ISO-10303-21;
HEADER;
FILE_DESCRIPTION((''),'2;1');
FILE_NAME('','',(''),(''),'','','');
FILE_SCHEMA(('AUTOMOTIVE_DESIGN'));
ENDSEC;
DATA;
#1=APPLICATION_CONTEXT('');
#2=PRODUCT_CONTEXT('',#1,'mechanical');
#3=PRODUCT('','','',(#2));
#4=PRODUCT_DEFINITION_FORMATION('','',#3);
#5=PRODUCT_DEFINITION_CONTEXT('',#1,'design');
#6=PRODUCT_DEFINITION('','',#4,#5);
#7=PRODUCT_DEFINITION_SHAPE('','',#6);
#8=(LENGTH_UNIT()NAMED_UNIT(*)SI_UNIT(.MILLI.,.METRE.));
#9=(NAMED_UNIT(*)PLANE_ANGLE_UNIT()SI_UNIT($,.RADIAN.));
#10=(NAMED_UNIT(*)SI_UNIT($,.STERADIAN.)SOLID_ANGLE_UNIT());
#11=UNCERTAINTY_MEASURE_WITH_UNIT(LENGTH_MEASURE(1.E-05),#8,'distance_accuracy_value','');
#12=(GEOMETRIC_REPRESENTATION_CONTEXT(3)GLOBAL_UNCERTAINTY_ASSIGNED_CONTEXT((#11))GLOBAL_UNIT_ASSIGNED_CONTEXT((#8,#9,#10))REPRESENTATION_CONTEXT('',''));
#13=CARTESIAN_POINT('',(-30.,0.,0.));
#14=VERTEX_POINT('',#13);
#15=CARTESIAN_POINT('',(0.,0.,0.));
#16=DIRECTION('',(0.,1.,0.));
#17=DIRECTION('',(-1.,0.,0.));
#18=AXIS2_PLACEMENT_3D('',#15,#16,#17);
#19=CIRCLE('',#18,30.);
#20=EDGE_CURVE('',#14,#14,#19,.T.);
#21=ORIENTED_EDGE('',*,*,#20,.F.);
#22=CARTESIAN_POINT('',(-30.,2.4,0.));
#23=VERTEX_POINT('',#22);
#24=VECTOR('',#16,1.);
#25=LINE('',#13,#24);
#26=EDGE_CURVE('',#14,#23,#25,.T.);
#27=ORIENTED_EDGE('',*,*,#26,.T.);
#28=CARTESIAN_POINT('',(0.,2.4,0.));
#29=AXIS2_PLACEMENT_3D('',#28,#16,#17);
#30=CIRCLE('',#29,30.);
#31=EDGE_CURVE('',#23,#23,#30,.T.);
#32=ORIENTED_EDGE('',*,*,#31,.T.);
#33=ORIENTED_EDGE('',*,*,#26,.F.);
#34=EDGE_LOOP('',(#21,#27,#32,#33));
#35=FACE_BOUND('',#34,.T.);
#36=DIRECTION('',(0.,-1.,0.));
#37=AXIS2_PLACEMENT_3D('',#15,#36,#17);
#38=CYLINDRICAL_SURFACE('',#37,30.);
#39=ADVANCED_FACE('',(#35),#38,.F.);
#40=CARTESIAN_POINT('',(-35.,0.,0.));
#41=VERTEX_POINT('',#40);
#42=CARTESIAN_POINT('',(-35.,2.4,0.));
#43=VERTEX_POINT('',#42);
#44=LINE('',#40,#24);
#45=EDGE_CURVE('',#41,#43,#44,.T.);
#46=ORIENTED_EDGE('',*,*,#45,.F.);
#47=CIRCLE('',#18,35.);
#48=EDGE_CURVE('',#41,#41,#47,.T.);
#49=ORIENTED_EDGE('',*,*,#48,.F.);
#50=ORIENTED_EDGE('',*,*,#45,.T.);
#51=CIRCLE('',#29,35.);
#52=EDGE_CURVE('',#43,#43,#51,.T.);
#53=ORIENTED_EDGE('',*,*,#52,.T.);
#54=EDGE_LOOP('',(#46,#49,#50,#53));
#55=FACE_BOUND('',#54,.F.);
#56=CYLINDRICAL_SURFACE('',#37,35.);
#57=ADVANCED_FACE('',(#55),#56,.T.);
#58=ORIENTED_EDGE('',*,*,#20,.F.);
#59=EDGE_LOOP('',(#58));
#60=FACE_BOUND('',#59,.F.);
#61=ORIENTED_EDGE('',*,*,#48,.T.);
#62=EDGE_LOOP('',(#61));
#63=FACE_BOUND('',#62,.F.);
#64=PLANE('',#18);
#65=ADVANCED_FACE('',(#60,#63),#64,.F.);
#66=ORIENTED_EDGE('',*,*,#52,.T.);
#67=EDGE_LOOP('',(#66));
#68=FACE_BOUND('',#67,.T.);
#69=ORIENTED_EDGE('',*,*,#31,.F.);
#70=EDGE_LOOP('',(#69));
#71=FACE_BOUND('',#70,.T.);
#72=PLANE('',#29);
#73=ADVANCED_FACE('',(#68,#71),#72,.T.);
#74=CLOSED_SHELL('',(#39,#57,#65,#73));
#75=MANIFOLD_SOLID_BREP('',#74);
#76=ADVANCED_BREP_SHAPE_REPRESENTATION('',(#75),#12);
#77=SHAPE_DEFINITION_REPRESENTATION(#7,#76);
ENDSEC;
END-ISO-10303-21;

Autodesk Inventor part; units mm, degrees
ref_plane "YZ Plane" through (0, 0, 0) normal (1, 0, 0) x (0, 1, 0)
ref_plane "XZ Plane" through (0, 0, 0) normal (0, 1, 0) x (-1, 0, 0)
ref_plane "XY Plane" through (0, 0, 0) normal (0, 0, 1) x (1, 0, 0)
sketch "Sketch1" plane through (0, 0, 0) normal (0, 1, 0) x (-1, 0, 0)
  circle A0 centre (0, 0) radius 30
  circle A1 centre (0, 0) radius 35
  dimension "d0" = 60
  dimension "d1" = 70
extrude "Extrusion1" add sketch "Sketch1" along normal blind 2.4
properties part number "B_thrust bearing _support"
